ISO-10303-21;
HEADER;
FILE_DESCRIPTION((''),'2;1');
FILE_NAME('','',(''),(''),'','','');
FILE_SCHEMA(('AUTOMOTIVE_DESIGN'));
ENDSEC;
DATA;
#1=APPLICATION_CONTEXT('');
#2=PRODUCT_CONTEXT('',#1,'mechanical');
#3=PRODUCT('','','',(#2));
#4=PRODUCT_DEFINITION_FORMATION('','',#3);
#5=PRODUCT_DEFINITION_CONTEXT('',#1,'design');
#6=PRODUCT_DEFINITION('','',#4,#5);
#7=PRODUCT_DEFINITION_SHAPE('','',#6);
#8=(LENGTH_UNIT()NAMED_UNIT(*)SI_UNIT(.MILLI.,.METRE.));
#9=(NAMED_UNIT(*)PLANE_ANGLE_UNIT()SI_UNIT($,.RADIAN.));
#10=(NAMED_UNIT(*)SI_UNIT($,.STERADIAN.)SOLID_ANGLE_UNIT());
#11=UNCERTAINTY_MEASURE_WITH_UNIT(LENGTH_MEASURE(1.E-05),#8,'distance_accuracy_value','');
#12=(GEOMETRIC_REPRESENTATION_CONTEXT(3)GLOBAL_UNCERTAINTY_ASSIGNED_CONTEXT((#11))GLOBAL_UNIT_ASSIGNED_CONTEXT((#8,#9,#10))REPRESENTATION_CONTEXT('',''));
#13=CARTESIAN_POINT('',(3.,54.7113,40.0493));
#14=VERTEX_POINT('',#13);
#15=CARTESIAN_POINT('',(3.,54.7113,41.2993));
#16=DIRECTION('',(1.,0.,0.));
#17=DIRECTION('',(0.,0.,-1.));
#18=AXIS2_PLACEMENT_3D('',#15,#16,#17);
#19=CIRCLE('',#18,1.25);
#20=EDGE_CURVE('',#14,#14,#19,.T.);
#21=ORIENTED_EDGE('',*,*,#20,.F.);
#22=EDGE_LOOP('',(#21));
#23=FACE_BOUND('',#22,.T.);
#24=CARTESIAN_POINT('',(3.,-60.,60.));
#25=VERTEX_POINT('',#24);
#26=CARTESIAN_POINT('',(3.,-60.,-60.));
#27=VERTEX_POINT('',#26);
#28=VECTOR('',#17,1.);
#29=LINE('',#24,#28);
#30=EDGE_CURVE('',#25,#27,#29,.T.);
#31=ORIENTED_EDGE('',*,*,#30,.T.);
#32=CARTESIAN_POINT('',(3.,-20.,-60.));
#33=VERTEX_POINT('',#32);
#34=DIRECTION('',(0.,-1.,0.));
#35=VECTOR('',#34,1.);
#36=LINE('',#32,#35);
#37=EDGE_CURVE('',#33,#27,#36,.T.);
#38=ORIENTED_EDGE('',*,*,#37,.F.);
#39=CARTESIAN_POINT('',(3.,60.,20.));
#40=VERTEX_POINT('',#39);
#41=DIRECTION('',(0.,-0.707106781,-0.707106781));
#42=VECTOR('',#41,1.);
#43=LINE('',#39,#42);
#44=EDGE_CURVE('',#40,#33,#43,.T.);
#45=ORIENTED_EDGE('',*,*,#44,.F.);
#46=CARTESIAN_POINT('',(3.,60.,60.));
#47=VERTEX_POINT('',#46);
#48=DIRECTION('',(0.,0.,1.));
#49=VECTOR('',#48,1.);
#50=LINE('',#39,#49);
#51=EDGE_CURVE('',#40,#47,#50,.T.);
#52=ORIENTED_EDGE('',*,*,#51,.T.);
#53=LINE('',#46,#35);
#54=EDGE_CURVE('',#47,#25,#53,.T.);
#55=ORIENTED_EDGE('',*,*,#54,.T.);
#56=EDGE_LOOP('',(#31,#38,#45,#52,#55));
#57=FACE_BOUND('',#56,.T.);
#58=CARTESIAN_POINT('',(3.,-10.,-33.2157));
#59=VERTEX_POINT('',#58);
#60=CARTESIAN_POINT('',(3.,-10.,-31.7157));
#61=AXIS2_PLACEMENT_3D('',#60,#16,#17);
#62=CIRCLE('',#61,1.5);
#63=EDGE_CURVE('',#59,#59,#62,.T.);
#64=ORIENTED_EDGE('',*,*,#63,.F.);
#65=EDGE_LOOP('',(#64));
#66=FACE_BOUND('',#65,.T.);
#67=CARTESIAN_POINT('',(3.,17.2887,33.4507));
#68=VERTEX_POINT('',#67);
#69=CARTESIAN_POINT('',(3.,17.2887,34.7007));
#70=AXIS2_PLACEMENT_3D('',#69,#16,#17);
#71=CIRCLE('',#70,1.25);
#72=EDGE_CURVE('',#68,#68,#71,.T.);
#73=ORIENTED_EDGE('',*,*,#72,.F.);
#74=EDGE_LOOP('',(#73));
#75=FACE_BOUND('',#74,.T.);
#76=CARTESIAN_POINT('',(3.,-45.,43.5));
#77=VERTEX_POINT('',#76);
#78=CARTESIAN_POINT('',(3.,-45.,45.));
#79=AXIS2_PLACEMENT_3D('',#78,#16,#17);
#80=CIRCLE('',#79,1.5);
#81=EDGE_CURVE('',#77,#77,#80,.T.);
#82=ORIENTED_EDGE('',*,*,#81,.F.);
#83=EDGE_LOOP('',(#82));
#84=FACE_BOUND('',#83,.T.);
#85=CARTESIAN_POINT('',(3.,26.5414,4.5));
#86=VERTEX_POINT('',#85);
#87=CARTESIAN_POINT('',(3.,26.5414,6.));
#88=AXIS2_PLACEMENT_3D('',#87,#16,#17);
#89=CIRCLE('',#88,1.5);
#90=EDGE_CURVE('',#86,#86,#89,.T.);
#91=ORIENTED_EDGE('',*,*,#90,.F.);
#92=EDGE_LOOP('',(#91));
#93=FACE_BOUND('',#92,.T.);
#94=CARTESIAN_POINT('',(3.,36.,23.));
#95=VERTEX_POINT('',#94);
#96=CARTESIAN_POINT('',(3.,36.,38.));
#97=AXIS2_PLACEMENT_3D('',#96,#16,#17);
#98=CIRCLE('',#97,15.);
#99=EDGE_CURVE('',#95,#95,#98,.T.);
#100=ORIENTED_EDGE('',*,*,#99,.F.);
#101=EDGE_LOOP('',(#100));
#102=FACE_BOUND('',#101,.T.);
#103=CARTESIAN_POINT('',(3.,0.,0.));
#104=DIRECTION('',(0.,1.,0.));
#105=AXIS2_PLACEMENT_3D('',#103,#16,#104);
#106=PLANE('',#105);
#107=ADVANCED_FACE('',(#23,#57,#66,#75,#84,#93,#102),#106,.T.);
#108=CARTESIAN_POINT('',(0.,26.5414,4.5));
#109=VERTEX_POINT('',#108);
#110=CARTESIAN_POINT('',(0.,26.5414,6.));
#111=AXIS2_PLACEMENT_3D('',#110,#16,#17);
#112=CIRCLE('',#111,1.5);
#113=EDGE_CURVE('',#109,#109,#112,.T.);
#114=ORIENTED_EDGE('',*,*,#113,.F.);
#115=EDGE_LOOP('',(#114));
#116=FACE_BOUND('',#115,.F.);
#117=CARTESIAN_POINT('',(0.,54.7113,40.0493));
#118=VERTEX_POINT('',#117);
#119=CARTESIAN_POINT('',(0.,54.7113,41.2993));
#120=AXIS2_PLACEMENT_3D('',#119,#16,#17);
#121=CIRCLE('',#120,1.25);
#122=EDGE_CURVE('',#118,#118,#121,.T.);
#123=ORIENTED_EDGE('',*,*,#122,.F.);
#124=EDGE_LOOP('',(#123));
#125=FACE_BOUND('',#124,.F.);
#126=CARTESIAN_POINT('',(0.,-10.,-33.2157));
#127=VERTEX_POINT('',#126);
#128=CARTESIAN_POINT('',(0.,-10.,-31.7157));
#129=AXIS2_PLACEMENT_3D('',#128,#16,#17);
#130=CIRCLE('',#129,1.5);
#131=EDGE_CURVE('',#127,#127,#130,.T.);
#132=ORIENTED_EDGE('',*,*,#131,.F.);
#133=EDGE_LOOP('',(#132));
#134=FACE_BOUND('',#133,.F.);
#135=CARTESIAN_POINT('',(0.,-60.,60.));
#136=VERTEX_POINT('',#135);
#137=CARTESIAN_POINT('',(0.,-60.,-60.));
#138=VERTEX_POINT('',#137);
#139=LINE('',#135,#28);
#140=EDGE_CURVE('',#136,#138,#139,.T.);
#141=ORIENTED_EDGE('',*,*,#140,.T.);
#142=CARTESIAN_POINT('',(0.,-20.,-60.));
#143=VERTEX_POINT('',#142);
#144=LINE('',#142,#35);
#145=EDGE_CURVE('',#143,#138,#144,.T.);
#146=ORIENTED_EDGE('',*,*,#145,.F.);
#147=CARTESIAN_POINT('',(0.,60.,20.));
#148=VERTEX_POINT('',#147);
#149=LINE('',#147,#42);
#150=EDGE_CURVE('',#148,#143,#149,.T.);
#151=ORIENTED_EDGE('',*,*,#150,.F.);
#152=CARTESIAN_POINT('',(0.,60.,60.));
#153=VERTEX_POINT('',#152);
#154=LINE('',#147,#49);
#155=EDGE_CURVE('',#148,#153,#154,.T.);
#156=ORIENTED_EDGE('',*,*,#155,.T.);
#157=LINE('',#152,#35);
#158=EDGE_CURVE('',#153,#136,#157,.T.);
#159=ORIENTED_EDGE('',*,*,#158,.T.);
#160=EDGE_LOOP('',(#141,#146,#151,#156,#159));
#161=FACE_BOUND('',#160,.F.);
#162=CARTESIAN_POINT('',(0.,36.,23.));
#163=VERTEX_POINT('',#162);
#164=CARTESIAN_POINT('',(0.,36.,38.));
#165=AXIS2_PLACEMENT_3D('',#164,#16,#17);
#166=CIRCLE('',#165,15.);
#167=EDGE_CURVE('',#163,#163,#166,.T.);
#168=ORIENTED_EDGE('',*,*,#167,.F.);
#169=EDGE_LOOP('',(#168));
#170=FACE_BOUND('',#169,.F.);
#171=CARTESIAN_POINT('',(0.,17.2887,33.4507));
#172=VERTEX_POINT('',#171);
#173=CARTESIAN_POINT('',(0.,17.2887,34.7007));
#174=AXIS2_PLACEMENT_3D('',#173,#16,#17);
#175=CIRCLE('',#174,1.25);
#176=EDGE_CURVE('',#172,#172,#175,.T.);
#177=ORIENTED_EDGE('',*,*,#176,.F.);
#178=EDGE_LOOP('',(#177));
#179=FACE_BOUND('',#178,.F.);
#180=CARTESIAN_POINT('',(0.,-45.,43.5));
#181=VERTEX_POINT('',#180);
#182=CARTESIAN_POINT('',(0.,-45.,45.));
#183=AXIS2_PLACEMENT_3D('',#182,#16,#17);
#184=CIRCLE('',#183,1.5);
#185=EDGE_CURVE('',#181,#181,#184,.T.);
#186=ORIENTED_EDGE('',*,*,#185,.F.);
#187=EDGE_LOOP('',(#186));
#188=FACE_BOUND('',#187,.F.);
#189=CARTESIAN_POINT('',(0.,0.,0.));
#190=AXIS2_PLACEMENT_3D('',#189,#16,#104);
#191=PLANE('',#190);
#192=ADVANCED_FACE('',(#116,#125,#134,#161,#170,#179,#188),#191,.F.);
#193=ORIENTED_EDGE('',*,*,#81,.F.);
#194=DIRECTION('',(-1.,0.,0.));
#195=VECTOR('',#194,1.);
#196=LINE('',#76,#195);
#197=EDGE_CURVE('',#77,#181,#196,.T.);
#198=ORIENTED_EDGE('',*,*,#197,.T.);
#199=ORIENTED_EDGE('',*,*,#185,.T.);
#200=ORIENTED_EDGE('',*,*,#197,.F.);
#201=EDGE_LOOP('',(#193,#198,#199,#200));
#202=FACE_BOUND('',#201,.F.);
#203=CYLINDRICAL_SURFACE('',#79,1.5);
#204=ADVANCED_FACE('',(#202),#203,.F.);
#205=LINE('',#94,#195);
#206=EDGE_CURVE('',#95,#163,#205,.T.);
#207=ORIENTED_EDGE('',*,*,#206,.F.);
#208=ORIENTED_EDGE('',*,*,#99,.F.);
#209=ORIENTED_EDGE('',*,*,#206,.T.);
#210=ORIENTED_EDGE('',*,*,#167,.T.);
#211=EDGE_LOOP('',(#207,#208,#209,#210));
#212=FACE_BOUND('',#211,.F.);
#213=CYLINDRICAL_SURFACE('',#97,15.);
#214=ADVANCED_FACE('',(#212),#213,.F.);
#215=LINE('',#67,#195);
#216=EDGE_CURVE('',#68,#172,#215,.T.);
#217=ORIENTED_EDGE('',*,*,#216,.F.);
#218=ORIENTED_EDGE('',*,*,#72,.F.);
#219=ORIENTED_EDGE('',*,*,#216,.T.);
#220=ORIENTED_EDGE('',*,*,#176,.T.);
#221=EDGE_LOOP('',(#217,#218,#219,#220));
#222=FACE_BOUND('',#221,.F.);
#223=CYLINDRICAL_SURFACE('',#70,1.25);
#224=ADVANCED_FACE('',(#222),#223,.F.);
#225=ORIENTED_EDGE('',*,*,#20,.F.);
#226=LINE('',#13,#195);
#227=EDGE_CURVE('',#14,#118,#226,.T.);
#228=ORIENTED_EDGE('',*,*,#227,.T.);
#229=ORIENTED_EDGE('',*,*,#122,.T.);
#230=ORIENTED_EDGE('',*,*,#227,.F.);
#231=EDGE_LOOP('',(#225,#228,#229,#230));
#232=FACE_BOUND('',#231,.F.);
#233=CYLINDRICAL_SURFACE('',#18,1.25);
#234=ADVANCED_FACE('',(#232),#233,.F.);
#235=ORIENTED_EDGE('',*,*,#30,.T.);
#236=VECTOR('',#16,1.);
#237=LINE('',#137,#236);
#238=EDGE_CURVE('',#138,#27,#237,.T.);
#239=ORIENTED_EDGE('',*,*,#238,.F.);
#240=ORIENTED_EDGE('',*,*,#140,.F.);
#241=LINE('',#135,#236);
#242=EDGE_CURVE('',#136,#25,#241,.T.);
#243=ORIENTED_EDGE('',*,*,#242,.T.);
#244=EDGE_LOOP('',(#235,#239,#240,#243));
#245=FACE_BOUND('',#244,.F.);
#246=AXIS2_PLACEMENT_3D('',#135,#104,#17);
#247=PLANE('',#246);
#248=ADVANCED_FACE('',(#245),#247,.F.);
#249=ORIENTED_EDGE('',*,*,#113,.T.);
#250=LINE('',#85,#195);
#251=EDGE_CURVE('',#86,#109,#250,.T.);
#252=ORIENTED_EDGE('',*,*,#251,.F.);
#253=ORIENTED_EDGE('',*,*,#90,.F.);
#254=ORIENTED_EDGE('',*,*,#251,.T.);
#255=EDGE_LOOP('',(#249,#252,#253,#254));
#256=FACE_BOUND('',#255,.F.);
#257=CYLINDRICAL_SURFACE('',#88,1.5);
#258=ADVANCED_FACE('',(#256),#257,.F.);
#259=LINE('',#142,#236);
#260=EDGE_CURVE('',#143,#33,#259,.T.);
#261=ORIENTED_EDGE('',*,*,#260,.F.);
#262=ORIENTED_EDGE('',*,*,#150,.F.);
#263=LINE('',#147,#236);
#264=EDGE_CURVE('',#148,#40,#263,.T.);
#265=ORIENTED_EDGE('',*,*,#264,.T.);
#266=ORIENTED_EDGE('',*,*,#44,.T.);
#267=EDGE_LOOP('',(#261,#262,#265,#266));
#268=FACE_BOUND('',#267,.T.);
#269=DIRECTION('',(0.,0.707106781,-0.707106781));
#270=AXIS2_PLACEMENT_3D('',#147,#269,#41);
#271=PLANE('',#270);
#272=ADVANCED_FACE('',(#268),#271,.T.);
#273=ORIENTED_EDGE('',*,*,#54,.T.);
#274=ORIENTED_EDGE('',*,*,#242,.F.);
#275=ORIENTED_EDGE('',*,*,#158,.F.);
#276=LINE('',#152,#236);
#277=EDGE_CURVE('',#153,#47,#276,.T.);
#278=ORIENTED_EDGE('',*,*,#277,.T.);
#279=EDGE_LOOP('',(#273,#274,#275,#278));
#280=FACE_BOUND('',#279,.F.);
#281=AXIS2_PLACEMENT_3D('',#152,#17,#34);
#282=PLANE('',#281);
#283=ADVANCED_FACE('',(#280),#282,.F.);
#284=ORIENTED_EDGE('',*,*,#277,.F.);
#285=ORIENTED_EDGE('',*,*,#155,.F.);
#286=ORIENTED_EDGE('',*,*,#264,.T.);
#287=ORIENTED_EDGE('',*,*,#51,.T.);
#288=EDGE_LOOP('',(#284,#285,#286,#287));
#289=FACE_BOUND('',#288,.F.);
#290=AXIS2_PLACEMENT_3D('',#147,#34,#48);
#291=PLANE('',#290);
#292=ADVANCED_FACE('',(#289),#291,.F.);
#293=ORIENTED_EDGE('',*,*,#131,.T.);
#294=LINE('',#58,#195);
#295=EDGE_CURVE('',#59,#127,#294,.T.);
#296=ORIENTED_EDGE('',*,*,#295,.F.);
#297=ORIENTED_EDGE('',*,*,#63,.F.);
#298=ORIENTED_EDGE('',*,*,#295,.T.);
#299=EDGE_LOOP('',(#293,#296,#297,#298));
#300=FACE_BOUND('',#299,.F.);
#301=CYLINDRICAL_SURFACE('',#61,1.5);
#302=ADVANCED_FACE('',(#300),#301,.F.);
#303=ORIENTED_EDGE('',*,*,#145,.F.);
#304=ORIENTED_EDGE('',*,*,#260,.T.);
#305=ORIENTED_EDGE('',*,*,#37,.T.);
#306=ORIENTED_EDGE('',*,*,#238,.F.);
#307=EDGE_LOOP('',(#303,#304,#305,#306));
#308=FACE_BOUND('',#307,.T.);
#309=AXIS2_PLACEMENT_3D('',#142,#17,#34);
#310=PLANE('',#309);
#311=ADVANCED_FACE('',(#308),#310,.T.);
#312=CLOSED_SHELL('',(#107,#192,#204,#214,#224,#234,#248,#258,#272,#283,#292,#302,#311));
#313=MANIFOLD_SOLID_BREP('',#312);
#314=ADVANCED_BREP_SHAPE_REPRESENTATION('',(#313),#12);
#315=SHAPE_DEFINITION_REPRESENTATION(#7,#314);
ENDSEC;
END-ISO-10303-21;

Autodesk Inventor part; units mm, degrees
ref_plane "YZ Plane" through (0, 0, 0) normal (1, 0, 0) x (0, 1, 0)
ref_plane "XZ Plane" through (0, 0, 0) normal (0, 1, 0) x (-1, 0, 0)
ref_plane "XY Plane" through (0, 0, 0) normal (0, 0, 1) x (1, 0, 0)
sketch "Sketch1" plane through (0, 0, 0) normal (1, 0, 0) x (0, 1, 0)
  line L0 (60, 60) -> (-60, 60)
  line L1 (-60, 60) -> (-60, -60)
  line L2 (60, 20) -> (60, 60)
  line L3 (60, 60) -> (60, 20)
  line L4 (60, 20) -> (-20, -60)
  line L5 (-20, -60) -> (-60, -60)
  point P0 (0, 0)
  point P1 (-60, 0)
  point P2 (0, 60)
  dimension "d1" = 120
  dimension "d2" = 40
  dimension "d3" = 40
  dimension "d5" = 90
extrude "Extrusion1" add sketch "Sketch1" along normal blind 3
sketch "Sketch2" plane through (3, 0, 0) normal (1, 0, 0) x (0, 0, -1)
  circle A0 centre (-38, 36) radius 15
  line L0 (-20, 60) -> (-60, 60) projected
  line L1 (-60, 60) -> (-60, -60) projected
  line L2 (60, -60) -> (60, -20) projected
  line L3 (-60, -60) -> (60, -60) projected
  line L4 (60, -20) -> (-20, 60) projected
  circle A1 centre (31.7157, -10) radius 10
  circle A2 centre (-45, -45) radius 10
  circle A3 centre (-6, 26.5414) radius 10
  circle A4 centre (-45, -45) radius 1.5
  circle A5 centre (31.7157, -10) radius 1.5
  circle A6 centre (-6, 26.5414) radius 1.5
  circle A7 centre (-34.7007, 17.2887) radius 1.25
  circle A8 centre (-41.2993, 54.7113) radius 1.25
  line L5 (-38, 36) -> (-41.2993, 54.7113) construction
  line L6 (-38, 36) -> (-19, 36) construction
  line L7 (-38, 36) -> (-34.7007, 17.2887) construction
  line L8 (-38, 36) -> (-19, 36) construction
  point P0 (0, 0)
  dimension "d8" = 30
  dimension "d9" = 24
  dimension "d10" = 22
  dimension "d69" = 20
  dimension "d70" = 20
  dimension "d71" = 30
  dimension "d72" = 50
  dimension "d73" = 15
  dimension "d74" = 15
  dimension "d75" = 20
  dimension "d76" = 54
  dimension "d77" = 3
  dimension "d78" = 3
  dimension "d79" = 3
  dimension "d84" = 2.5
  dimension "d85" = 2.5
  dimension "d88" = 19
  dimension "d89" = 100
  dimension "d90" = 19
  dimension "d91" = 80
extrude "Extrusion3" cut sketch "Sketch2" against normal blind 3 contours A0 | A4 | A5 | A6 | A7 | A8
properties part number "level 2" material "Copper"
